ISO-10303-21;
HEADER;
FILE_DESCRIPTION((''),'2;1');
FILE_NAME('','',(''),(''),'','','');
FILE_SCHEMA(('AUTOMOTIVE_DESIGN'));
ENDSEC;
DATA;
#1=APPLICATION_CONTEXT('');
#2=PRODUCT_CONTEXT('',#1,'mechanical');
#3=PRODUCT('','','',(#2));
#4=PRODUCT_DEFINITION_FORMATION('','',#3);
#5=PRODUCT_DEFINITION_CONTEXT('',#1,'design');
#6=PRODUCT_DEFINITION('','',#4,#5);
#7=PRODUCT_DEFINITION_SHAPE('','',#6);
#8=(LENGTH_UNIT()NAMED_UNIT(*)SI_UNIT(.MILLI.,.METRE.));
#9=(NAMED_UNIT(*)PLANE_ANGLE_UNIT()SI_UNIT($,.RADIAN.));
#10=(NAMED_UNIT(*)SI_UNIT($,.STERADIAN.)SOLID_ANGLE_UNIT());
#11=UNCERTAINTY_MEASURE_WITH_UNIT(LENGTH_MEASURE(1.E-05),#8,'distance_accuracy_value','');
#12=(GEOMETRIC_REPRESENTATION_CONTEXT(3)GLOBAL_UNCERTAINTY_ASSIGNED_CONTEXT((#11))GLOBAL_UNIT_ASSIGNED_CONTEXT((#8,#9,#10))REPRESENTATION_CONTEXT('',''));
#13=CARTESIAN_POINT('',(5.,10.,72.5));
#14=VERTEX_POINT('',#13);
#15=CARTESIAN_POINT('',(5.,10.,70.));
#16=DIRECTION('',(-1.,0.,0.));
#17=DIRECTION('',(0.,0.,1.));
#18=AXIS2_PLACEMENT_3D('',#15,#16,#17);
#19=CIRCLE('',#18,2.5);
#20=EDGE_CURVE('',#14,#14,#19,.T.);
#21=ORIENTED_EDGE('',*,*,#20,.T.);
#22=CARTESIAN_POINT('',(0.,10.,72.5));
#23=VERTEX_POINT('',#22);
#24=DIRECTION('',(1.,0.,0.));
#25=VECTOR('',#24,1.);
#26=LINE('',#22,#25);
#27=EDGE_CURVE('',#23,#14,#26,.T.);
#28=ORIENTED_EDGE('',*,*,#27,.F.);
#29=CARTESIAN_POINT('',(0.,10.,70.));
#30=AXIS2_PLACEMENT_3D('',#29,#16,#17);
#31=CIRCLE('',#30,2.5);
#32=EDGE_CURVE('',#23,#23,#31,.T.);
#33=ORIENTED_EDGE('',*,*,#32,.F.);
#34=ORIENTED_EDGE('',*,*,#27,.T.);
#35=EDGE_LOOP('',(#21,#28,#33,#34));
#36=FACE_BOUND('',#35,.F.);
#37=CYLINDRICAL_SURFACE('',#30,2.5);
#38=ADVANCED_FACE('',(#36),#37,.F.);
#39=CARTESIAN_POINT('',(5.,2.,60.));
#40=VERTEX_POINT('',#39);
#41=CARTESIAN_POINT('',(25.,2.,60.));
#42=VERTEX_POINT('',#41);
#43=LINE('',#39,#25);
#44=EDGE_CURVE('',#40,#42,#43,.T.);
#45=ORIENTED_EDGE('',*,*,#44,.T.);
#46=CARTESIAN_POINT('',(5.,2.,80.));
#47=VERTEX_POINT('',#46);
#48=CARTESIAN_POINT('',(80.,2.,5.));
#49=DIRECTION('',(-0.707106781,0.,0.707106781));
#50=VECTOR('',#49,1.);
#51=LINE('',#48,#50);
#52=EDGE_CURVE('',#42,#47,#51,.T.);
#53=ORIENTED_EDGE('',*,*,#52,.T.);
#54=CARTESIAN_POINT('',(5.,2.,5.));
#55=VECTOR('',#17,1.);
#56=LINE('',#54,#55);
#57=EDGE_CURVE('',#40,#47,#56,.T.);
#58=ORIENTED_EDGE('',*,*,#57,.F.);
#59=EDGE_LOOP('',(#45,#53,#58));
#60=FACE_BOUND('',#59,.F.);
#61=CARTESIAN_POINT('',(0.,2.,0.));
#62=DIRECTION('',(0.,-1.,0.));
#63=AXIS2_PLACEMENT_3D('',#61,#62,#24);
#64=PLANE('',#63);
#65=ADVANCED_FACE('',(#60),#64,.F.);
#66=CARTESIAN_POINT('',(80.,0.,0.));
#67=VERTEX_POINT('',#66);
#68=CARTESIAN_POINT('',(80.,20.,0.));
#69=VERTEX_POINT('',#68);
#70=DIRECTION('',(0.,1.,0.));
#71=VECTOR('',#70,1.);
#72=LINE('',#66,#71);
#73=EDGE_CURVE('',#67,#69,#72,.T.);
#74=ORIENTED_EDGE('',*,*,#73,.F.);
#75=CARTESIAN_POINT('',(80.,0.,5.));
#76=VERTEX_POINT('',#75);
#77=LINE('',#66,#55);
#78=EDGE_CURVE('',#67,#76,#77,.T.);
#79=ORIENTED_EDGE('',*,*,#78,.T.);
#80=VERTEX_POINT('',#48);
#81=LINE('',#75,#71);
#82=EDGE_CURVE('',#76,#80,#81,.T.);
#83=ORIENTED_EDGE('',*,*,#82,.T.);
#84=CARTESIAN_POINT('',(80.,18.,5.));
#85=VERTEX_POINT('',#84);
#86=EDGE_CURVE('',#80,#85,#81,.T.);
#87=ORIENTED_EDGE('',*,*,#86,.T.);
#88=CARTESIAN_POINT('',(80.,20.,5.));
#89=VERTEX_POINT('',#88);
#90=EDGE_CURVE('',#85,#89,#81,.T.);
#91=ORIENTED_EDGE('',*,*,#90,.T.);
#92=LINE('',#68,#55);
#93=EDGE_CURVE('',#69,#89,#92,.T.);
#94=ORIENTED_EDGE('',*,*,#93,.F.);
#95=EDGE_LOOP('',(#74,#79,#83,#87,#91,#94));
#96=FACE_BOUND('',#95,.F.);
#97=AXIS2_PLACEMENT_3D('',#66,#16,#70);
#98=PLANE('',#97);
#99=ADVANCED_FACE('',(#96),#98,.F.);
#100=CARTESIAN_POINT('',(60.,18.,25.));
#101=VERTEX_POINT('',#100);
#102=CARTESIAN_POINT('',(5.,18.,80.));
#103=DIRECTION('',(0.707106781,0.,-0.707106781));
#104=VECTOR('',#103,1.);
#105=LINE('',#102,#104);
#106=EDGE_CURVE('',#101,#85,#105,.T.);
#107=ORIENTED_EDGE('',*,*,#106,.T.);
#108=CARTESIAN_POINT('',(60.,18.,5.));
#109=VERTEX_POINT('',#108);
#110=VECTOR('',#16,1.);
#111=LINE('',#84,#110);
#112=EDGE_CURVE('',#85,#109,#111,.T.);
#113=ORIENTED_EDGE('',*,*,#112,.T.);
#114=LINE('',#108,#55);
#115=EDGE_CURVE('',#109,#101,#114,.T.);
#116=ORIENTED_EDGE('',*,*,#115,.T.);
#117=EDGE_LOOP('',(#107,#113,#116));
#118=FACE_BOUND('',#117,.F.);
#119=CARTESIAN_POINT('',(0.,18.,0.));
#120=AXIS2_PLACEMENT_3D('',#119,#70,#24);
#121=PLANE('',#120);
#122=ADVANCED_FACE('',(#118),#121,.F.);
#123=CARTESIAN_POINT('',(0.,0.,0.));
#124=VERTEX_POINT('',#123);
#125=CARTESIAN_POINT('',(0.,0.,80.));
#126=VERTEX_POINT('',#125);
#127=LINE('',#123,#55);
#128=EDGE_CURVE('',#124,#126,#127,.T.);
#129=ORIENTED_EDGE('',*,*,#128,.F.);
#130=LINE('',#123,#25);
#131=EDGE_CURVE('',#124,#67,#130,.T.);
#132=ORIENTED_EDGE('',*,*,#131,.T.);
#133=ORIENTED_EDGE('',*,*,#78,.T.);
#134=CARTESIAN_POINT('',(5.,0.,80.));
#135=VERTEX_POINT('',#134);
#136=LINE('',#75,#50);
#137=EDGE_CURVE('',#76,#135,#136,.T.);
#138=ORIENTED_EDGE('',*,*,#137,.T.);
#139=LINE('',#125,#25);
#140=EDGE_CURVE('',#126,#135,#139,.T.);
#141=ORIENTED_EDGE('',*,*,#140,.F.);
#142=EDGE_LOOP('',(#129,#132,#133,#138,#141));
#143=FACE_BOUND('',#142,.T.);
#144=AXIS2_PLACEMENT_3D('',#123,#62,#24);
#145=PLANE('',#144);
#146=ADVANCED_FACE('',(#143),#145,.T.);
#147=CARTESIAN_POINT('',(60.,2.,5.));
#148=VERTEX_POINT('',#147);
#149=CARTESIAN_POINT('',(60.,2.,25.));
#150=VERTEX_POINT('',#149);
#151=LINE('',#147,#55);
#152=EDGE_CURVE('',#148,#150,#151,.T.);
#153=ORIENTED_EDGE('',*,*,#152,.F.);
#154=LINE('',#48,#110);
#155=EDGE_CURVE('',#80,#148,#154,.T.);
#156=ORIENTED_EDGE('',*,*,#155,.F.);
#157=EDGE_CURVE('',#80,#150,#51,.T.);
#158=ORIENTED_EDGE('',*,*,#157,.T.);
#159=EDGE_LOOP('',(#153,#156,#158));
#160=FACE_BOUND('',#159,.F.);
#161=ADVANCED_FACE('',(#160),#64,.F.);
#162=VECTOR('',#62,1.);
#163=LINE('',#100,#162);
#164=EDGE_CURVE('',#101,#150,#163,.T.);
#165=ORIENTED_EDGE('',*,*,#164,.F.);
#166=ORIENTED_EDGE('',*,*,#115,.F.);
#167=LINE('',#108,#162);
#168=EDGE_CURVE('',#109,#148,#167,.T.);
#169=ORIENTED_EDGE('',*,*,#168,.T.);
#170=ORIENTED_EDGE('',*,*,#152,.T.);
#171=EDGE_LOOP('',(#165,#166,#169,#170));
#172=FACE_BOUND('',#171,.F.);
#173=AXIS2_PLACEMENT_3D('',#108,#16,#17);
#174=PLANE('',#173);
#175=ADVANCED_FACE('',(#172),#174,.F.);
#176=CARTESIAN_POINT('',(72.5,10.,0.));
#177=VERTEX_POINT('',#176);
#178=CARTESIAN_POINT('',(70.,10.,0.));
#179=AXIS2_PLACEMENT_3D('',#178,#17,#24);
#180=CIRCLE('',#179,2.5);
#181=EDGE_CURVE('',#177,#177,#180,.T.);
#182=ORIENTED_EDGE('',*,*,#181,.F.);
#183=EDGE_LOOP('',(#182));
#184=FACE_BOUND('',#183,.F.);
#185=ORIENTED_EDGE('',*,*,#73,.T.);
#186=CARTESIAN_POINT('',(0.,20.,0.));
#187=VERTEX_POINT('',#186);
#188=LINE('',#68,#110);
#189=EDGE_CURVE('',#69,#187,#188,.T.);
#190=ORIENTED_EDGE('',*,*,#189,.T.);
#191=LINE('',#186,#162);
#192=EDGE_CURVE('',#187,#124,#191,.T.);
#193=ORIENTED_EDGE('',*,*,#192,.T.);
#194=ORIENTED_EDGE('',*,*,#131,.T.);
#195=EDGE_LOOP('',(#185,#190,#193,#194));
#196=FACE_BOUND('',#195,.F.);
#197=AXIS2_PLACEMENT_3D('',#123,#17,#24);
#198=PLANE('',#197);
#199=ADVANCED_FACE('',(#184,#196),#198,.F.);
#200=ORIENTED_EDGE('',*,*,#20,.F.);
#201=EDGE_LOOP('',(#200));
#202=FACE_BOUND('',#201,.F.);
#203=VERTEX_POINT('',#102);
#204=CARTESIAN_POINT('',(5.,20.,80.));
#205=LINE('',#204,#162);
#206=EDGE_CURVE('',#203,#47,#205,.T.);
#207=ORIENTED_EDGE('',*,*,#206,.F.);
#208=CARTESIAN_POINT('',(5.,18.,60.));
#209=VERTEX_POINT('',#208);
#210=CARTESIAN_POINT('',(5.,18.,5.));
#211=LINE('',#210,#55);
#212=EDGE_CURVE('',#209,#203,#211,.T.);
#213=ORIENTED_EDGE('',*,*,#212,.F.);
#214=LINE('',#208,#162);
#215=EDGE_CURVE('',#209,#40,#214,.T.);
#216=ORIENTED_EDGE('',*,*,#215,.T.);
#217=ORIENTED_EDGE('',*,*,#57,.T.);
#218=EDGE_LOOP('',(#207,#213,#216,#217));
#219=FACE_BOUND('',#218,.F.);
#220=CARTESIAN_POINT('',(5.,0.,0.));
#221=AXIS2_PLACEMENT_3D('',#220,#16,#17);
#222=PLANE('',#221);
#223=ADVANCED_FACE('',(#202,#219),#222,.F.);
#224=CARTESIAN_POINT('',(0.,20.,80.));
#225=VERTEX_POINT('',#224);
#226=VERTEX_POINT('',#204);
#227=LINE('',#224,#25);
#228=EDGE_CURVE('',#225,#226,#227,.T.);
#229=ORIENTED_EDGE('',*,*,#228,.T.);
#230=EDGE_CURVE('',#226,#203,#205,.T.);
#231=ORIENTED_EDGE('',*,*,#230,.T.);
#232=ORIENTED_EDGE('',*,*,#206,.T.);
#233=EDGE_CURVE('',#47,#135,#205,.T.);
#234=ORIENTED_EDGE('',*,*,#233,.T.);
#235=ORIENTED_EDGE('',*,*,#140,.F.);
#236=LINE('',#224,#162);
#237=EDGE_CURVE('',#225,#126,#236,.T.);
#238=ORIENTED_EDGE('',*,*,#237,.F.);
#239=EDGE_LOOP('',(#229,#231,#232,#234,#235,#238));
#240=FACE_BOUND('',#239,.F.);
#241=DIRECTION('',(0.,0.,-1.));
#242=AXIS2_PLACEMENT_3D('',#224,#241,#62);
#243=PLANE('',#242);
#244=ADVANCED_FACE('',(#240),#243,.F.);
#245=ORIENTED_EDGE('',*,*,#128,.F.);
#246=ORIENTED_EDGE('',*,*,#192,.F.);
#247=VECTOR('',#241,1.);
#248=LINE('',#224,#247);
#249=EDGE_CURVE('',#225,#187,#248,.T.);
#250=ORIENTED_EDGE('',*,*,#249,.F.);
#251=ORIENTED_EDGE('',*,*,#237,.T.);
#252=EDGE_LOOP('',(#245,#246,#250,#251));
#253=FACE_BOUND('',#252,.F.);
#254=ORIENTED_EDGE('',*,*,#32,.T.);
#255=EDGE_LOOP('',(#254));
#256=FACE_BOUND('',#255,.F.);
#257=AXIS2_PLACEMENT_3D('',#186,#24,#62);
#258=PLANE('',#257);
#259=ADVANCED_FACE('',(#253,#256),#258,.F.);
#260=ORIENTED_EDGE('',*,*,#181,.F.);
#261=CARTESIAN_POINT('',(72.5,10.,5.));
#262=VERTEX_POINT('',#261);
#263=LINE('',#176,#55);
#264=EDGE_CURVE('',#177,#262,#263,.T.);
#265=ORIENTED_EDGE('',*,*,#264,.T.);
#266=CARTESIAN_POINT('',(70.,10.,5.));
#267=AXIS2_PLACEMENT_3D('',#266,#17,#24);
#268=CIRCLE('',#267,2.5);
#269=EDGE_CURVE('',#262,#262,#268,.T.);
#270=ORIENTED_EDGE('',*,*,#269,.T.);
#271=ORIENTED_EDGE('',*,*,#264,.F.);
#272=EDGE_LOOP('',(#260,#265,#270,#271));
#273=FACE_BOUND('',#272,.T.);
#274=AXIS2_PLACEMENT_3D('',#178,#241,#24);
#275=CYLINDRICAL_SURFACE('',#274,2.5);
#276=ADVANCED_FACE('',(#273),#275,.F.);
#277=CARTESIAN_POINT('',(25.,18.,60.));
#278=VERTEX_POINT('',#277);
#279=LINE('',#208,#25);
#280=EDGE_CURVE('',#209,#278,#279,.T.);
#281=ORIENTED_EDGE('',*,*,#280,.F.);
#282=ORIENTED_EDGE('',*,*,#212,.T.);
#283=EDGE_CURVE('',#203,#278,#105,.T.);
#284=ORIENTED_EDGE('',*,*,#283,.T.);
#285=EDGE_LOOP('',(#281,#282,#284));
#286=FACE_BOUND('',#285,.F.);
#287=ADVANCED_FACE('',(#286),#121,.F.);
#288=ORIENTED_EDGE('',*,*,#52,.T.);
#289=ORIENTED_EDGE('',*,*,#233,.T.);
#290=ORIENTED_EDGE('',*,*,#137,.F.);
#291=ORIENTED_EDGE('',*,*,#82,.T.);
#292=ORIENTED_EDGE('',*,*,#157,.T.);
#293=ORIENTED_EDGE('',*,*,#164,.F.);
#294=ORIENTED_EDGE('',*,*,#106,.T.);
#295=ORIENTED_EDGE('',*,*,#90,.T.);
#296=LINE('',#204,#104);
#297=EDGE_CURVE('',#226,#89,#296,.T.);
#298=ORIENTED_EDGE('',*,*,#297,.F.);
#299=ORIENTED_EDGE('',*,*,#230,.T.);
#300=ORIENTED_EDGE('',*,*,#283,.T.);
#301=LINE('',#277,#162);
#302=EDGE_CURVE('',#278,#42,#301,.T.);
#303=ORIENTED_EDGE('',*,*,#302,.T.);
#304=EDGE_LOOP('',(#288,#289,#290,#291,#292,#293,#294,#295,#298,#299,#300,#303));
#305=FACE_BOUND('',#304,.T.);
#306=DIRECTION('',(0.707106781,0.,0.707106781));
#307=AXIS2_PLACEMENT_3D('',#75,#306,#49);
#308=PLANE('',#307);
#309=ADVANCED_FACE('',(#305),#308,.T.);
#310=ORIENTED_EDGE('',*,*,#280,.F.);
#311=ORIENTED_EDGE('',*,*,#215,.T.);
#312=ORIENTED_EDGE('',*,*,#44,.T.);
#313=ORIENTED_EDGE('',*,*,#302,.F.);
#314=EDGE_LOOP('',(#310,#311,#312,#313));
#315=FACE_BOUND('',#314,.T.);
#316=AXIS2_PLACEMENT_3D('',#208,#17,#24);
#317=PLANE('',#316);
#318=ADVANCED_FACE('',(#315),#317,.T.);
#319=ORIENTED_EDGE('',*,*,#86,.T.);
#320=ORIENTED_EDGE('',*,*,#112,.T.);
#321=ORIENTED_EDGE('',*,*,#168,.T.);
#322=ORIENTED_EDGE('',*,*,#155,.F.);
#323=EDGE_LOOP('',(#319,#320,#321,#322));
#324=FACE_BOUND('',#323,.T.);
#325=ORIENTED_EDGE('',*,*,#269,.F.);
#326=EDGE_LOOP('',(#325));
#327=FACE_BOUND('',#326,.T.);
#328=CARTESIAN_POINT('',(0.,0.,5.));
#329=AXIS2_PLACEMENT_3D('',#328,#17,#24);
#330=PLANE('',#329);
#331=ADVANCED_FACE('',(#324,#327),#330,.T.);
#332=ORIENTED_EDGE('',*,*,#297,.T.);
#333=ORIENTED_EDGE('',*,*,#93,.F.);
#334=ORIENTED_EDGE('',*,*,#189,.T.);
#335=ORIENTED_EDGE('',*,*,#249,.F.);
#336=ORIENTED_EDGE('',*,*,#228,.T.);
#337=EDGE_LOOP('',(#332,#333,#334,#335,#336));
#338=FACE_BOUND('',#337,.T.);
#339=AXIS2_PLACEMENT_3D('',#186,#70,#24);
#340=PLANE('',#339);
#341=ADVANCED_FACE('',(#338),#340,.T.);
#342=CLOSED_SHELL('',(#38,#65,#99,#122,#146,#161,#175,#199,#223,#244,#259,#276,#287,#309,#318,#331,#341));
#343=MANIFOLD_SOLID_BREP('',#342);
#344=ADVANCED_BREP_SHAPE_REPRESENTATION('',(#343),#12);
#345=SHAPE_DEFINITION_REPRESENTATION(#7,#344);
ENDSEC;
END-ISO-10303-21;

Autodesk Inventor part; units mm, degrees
ref_plane "YZ Plane" through (0, 0, 0) normal (1, 0, 0) x (0, 1, 0)
ref_plane "XZ Plane" through (0, 0, 0) normal (0, 1, 0) x (-1, 0, 0)
ref_plane "XY Plane" through (0, 0, 0) normal (0, 0, 1) x (1, 0, 0)
sketch "Sketch1" plane through (0, 0, 0) normal (0, 0, 1) x (1, 0, 0)
  line L0 (0, 0) -> (80, 0)
  line L1 (80, 0) -> (80, 20)
  line L2 (80, 20) -> (0, 20)
  line L3 (0, 20) -> (0, 0)
  circle A0 centre (70, 10) radius 2.5
  point P0 (80, 10)
  dimension "d0" = 80
  dimension "d1" = 20
  dimension "d2" = 5
  dimension "d3" = 10
extrude "Extrusion1" add sketch "Sketch1" along normal blind 5
sketch "Sketch2" plane through (0, 0, 0) normal (-1, 0, 0) x (0, 0, 1)
  line L0 (0, 0) -> (0, 20) projected
  line L1 (0, 20) -> (80, 20)
  line L2 (80, 20) -> (80, 0)
  line L3 (80, 0) -> (0, 0)
  line L4 (0, 0) -> (0, 20)
  circle A0 centre (70, 10) radius 2.5
  point P0 (5, 0)
  point P1 (80, 10)
  dimension "d6" = 80
  dimension "d7" = 5
  dimension "d8" = 10
extrude "Extrusion2" add sketch "Sketch2" against normal blind 5
sketch "Sketch3" plane through (0, 20, 0) normal (0, 1, 0) x (1, 0, 0)
  line L0 (80, -5) -> (5, -5) projected
  line L1 (5, -5) -> (5, -80) projected
  line L2 (5, -80) -> (5, -5) projected
  line L3 (5, -80) -> (80, -5)
  point P0 (0, 0)
extrude "Extrusion3" add sketch "Sketch3" against normal blind 2
sketch "Sketch4" plane through (0, 0, 0) normal (0, -1, 0) x (1, 0, 0)
  line L0 (80, 5) -> (5, 5) projected
  line L1 (80, 5) -> (5, 80) projected
  line L2 (5, 5) -> (5, 80) projected
  point P0 (0, 0)
extrude "Extrusion4" add sketch "Sketch4" against normal blind 2
sketch "Sketch5" plane through (0, 18, 0) normal (0, -1, 0) x (1, 0, 0)
  line L0 (5, 72.5) -> (5, 67.5) projected
  line L1 (67.5, 5) -> (72.5, 5) projected
  line L2 (5, 67.5) -> (5, 5)
  line L3 (5, 5) -> (67.5, 5)
  line L4 (5, 60) -> (60, 5)
  line L5 (70, 5) -> (70, 0)
  line L6 (80, 0) -> (0, 0) projected
  line L7 (5, 70) -> (0, 70)
  line L8 (5, 60) -> (25, 60)
  line L9 (60, 5) -> (60, 25)
  line L10 (5, 80) -> (80, 5) projected
  line L11 (25, 60) -> (60, 25)
  dimension "d15" = 10
  dimension "d16" = 10
extrude "Extrusion5" add sketch "Sketch5" along normal blind 16
properties part number "L Bracket Small"
